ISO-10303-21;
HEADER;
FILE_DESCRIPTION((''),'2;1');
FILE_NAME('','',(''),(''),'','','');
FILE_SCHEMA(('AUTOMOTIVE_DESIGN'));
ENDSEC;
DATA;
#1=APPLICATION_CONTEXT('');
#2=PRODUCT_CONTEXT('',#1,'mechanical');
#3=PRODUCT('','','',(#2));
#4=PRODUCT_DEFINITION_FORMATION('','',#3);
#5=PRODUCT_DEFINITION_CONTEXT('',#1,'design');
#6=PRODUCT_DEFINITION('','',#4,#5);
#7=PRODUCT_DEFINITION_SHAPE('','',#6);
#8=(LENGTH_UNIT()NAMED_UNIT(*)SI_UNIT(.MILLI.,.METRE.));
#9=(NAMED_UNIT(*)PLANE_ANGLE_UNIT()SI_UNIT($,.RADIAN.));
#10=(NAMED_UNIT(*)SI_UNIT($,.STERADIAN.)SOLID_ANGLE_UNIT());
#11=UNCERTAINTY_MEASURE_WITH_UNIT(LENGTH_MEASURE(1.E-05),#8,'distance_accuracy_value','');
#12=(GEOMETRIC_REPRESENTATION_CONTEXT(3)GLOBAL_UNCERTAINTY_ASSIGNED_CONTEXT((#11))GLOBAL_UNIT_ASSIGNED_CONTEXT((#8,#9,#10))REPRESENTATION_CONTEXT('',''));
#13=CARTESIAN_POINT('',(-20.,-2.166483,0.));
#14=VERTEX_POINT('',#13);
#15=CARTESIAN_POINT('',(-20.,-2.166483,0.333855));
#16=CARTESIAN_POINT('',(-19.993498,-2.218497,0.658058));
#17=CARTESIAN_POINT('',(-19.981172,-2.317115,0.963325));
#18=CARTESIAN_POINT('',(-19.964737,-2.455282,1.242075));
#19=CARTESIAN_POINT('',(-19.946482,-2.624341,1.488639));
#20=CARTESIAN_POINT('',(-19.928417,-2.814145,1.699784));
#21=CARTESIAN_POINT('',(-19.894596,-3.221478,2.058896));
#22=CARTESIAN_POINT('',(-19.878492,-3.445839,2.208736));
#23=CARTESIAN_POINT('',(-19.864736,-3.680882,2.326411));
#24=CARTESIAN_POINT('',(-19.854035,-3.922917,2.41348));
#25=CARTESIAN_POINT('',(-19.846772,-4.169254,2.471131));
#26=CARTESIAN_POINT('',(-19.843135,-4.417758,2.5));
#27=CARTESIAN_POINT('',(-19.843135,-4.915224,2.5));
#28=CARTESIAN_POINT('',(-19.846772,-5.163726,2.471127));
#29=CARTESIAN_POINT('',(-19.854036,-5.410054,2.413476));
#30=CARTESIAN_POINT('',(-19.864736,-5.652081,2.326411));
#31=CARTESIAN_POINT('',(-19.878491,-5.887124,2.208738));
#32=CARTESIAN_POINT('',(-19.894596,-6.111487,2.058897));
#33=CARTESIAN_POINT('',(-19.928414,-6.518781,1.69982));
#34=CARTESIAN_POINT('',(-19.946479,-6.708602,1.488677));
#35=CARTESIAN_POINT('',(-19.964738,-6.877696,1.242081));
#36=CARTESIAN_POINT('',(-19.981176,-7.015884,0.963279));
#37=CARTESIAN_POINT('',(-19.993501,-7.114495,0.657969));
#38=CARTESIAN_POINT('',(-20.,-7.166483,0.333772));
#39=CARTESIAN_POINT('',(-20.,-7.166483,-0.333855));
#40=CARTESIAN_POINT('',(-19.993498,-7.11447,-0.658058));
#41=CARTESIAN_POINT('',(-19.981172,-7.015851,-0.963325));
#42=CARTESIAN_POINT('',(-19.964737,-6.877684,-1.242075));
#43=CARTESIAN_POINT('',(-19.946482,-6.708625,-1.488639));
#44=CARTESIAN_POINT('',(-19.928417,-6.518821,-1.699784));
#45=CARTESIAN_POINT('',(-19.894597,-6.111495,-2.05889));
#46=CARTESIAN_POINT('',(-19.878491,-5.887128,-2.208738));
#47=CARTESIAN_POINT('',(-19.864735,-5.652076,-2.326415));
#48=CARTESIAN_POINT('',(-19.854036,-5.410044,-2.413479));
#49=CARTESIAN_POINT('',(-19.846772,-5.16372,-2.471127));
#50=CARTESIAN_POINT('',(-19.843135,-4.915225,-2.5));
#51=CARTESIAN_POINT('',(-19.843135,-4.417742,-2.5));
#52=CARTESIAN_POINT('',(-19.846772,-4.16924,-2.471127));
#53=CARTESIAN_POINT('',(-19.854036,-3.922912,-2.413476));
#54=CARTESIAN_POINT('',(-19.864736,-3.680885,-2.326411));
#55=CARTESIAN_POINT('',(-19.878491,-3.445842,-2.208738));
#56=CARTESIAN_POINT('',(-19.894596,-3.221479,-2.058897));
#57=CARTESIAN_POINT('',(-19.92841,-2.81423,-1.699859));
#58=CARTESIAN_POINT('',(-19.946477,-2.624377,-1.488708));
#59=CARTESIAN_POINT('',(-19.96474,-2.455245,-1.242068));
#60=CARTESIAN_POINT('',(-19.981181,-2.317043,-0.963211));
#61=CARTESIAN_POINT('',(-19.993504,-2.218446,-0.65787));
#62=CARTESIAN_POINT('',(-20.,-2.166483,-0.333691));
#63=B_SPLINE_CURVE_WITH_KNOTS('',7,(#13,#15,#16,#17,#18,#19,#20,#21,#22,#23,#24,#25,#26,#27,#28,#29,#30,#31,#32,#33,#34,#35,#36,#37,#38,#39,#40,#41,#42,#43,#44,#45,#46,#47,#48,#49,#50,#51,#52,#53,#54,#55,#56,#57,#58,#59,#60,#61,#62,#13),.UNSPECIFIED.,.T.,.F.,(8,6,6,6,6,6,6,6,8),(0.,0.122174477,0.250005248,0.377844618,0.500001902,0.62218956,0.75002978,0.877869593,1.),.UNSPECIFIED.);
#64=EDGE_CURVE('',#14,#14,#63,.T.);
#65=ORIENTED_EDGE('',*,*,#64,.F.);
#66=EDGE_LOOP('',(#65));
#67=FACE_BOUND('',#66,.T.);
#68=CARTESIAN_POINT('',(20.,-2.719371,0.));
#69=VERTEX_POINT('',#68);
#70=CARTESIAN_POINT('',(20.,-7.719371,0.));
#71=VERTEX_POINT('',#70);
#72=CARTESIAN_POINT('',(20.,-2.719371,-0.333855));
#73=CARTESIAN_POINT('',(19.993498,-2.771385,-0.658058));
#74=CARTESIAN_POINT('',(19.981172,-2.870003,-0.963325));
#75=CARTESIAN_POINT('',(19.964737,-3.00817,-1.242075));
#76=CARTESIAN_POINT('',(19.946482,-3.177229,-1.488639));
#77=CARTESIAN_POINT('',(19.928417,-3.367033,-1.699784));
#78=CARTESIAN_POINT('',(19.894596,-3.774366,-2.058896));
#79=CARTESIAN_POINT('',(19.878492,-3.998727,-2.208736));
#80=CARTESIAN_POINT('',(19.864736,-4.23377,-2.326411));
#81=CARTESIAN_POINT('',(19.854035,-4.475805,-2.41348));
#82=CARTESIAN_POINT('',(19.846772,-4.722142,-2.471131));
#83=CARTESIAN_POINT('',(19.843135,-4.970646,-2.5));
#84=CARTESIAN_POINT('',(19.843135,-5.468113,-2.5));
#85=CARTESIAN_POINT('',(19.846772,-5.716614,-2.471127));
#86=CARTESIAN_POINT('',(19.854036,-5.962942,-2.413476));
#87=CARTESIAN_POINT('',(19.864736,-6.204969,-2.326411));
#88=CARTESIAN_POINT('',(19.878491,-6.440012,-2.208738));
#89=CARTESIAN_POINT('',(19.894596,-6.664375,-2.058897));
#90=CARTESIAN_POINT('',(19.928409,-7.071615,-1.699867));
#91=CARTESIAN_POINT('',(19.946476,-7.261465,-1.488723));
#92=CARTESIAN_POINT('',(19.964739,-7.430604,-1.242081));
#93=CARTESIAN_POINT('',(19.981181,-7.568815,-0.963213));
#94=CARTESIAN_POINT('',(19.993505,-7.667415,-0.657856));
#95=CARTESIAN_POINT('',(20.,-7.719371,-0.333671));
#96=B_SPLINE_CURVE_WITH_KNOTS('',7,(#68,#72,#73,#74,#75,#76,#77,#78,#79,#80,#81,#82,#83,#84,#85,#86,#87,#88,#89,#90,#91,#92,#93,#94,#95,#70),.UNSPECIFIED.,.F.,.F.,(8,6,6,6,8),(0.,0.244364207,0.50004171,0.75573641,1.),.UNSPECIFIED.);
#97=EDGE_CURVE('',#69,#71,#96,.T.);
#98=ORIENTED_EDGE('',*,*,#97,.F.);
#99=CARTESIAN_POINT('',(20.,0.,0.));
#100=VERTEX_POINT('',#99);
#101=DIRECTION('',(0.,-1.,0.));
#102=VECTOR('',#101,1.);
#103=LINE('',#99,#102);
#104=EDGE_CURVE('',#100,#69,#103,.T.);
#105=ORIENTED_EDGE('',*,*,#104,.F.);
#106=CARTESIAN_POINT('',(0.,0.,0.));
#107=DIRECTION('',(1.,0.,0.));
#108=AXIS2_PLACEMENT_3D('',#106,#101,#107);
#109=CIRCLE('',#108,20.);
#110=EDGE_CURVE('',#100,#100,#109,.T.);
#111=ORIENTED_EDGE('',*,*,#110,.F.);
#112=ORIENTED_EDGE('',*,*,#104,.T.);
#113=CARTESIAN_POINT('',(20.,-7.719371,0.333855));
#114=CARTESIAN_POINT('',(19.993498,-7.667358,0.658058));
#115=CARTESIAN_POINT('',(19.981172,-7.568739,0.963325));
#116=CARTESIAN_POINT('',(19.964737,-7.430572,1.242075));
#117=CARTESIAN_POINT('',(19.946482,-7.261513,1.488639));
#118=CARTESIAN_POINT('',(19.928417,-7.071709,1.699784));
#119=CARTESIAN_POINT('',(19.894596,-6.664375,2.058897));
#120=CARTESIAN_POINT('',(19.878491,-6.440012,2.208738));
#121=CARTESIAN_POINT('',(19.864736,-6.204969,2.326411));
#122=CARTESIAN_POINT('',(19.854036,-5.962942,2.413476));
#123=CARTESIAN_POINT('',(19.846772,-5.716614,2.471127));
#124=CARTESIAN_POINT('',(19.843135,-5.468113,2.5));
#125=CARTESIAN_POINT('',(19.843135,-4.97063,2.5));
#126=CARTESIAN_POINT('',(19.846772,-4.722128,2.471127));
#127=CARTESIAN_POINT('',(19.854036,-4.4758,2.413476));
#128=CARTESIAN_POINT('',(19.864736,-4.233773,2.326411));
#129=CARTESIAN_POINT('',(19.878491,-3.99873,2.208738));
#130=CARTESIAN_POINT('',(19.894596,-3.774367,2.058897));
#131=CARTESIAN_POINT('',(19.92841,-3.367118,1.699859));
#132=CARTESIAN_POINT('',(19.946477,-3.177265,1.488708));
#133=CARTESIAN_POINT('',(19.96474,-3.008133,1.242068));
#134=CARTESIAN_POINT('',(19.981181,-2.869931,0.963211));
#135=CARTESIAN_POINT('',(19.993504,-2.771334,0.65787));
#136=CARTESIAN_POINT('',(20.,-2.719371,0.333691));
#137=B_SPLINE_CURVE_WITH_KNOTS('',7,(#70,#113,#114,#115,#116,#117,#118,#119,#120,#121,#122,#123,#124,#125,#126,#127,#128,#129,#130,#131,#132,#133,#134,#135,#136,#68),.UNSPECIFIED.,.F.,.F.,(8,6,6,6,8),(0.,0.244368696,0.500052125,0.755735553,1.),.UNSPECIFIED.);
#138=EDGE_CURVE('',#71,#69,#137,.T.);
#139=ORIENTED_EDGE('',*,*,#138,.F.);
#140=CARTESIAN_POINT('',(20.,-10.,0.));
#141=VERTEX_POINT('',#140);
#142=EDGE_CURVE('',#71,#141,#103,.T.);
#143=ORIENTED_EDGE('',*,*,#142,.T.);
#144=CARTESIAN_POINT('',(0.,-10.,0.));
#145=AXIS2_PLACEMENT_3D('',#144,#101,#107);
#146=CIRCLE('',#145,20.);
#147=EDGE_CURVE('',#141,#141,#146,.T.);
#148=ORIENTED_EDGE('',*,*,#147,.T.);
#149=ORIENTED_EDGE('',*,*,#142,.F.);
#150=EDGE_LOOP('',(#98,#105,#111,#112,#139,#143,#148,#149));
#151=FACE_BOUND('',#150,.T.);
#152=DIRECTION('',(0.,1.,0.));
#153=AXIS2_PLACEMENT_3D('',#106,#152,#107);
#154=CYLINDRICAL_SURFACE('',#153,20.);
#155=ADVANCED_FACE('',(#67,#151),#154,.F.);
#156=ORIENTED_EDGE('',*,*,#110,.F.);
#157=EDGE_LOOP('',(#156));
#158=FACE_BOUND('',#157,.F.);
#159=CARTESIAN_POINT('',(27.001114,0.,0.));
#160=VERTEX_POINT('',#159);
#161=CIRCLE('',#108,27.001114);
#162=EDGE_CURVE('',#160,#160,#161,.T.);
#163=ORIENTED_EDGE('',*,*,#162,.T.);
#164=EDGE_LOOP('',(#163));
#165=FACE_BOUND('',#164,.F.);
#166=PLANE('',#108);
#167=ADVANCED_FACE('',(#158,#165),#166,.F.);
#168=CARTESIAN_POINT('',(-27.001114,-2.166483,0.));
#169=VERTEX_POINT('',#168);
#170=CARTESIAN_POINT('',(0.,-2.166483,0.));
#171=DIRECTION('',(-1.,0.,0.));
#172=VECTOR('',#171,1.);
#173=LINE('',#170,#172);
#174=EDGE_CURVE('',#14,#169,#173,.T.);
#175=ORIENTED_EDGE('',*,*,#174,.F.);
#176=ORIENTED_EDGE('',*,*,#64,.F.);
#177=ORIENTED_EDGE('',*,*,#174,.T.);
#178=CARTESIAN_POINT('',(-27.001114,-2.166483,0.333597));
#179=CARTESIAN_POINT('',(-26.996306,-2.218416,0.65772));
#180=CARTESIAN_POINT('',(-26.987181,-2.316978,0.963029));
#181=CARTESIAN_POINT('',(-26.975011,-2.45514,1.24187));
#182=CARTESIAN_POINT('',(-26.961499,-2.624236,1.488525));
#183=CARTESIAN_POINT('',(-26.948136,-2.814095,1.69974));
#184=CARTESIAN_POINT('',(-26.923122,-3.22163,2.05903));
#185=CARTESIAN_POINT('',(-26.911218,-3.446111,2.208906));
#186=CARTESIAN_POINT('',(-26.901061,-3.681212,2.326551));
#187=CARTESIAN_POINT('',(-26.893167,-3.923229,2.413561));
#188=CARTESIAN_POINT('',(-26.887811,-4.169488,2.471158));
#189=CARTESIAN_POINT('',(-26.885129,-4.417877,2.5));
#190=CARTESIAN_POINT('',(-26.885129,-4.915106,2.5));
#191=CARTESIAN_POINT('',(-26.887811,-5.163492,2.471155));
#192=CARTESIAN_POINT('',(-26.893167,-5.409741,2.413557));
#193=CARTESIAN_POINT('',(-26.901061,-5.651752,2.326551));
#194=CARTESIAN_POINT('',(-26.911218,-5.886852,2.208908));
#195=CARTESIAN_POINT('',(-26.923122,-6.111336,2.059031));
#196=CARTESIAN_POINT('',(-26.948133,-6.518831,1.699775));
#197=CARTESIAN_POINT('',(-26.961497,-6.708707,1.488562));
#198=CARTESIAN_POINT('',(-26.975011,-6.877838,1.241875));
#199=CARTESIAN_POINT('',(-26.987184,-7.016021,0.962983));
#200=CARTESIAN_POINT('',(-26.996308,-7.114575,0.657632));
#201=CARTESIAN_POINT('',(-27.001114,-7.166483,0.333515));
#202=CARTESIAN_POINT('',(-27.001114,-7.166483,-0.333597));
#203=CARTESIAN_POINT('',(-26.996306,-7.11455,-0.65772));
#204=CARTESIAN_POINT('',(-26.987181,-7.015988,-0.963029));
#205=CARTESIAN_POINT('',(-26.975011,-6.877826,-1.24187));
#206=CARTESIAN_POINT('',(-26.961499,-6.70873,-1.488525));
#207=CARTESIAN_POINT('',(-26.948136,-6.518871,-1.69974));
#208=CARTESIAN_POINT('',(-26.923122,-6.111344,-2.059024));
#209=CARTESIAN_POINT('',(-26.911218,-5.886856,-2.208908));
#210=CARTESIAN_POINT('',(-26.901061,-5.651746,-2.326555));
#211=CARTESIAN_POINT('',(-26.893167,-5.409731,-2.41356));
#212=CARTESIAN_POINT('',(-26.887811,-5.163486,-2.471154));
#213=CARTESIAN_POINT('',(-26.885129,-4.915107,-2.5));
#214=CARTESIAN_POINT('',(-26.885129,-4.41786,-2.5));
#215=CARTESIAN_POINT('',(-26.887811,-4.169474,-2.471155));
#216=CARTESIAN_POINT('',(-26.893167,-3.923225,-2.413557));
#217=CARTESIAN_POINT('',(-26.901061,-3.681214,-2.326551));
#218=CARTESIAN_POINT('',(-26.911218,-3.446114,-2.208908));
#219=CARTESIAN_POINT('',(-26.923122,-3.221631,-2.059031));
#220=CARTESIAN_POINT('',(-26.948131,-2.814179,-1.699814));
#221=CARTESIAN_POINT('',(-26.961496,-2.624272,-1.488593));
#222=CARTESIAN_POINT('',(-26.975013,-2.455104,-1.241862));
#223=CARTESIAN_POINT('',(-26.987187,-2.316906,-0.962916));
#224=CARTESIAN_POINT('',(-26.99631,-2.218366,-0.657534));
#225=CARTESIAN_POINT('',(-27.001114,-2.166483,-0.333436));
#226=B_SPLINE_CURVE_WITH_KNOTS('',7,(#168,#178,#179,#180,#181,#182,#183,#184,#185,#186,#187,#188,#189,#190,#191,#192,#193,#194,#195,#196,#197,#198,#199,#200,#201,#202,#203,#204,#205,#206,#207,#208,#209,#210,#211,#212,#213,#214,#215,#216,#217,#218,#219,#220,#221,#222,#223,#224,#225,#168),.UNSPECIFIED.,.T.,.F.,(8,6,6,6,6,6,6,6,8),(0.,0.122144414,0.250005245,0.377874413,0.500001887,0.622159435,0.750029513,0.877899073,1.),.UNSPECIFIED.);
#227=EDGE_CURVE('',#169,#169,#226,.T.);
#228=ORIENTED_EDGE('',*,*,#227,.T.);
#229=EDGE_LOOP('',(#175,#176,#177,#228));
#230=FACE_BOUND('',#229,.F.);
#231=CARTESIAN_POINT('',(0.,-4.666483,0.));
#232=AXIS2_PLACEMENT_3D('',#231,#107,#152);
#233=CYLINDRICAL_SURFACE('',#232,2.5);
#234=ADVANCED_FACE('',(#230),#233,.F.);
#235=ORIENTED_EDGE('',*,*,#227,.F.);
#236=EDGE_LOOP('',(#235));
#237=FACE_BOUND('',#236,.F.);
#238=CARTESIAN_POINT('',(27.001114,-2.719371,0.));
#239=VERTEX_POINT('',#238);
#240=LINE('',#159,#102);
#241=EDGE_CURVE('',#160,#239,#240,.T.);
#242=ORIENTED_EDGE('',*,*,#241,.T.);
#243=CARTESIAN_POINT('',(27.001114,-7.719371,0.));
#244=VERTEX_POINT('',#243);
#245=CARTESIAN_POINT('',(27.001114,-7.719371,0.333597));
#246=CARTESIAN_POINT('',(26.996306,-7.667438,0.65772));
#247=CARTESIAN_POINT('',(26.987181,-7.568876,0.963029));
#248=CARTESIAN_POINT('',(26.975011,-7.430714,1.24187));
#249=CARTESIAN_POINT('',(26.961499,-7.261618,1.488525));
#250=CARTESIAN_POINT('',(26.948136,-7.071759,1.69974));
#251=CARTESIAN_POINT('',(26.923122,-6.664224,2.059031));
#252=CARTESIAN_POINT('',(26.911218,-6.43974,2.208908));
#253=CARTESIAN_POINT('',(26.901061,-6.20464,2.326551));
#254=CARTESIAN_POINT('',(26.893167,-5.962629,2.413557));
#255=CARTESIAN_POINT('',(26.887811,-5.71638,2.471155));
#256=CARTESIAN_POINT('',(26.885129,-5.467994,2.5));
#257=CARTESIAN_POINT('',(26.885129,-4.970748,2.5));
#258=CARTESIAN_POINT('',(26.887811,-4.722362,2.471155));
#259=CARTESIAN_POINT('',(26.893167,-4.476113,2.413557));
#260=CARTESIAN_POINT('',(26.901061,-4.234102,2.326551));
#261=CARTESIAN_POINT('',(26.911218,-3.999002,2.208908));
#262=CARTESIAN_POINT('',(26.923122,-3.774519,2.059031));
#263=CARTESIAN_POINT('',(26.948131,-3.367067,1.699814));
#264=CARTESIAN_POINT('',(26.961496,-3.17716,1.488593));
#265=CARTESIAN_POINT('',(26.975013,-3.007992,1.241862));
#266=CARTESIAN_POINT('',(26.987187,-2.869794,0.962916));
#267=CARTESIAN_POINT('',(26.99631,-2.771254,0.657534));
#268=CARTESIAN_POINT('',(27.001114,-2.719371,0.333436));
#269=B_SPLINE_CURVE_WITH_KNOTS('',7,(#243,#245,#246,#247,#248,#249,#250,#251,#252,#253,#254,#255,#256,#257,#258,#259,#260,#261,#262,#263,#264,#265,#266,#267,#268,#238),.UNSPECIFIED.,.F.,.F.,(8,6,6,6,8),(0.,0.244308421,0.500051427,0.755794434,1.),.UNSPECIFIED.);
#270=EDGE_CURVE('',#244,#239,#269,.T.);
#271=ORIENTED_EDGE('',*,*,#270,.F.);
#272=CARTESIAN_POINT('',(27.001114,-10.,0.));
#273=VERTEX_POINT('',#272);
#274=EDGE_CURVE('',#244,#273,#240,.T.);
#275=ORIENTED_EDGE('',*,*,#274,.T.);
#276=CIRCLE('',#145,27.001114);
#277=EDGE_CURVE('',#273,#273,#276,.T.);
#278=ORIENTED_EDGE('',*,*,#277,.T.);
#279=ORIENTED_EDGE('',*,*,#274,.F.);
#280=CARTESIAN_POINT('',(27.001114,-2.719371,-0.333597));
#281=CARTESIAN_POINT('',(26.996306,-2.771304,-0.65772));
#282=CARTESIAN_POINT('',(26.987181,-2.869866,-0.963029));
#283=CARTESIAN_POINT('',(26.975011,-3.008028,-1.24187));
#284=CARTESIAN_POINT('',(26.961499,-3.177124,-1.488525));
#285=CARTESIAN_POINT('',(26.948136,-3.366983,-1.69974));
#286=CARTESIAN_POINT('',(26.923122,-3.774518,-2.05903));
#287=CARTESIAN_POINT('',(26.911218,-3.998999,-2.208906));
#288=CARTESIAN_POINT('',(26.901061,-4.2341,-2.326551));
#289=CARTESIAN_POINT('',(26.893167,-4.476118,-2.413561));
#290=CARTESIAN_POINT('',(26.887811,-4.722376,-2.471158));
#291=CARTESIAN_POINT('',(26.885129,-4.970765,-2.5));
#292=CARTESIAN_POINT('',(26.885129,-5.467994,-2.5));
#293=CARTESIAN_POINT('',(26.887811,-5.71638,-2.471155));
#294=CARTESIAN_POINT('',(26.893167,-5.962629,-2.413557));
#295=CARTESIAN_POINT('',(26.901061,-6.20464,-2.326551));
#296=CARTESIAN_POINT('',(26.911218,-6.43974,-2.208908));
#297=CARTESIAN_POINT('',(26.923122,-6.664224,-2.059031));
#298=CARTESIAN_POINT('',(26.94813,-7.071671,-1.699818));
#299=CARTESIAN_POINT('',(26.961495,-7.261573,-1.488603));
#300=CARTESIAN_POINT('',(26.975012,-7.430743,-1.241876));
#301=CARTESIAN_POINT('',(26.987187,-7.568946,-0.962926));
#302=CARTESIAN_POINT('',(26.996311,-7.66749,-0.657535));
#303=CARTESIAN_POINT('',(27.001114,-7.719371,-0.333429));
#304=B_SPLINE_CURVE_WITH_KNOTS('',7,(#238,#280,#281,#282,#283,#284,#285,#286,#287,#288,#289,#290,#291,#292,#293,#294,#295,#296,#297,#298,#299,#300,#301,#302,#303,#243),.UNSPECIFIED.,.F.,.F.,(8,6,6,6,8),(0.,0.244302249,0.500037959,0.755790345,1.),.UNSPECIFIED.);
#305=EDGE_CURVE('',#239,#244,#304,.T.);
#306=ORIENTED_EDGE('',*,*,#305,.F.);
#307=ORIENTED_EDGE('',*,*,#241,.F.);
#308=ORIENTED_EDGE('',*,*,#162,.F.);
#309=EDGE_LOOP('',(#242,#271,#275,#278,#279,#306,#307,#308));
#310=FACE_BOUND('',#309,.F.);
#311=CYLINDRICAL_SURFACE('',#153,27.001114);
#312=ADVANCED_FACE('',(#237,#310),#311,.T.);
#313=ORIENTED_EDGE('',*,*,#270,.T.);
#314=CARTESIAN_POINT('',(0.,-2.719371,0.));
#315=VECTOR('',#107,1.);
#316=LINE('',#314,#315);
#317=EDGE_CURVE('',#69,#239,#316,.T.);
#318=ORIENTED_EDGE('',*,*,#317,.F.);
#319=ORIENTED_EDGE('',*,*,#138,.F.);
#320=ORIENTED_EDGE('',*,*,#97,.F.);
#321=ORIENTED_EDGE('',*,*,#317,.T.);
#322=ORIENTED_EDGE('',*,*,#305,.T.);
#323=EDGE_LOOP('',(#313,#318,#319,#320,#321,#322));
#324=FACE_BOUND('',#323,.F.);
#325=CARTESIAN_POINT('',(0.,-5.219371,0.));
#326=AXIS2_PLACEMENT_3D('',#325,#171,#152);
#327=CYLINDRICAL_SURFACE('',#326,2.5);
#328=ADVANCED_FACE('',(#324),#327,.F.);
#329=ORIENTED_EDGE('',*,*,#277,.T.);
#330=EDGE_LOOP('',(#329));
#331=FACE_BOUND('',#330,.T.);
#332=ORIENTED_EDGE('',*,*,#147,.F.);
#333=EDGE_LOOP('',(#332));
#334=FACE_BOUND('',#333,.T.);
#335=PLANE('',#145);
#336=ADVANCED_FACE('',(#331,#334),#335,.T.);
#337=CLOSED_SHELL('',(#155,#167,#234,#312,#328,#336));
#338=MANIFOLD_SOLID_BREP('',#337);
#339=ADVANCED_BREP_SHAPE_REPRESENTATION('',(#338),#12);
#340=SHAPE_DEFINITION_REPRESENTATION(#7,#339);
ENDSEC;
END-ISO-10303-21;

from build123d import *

# Parameters (mm, degrees)
F0_R     = 27.0011142562
F0_R_2   = 20
F1_DEPTH = 10
F3_D     = 5
F3_DEPTH = 27.0021142562
F5_D     = 5
F5_DEPTH = 27.0021143562


with BuildPart() as f1:
    # F0 (on Front) → F1 (new body)
    with BuildSketch(Plane.XZ):
        Circle(F0_R)
        Circle(F0_R_2, mode=Mode.SUBTRACT)
    extrude(amount=F1_DEPTH)

    # F3 (through all, one way)
    with BuildSketch(Plane.YZ):
        with Locations((-4.6664830297, 0)):
            Circle(F3_D / 2)
    extrude(amount=-F3_DEPTH, mode=Mode.SUBTRACT)

    # F5 (through all, one way)
    with BuildSketch(Plane(origin=(0, 0, 0), x_dir=(0, 1, 0), z_dir=(-1, 0, 0))):
        with Locations((-5.219371058, 0)):
            Circle(F5_D / 2)
    extrude(amount=-F5_DEPTH, mode=Mode.SUBTRACT)


solid = f1.part
